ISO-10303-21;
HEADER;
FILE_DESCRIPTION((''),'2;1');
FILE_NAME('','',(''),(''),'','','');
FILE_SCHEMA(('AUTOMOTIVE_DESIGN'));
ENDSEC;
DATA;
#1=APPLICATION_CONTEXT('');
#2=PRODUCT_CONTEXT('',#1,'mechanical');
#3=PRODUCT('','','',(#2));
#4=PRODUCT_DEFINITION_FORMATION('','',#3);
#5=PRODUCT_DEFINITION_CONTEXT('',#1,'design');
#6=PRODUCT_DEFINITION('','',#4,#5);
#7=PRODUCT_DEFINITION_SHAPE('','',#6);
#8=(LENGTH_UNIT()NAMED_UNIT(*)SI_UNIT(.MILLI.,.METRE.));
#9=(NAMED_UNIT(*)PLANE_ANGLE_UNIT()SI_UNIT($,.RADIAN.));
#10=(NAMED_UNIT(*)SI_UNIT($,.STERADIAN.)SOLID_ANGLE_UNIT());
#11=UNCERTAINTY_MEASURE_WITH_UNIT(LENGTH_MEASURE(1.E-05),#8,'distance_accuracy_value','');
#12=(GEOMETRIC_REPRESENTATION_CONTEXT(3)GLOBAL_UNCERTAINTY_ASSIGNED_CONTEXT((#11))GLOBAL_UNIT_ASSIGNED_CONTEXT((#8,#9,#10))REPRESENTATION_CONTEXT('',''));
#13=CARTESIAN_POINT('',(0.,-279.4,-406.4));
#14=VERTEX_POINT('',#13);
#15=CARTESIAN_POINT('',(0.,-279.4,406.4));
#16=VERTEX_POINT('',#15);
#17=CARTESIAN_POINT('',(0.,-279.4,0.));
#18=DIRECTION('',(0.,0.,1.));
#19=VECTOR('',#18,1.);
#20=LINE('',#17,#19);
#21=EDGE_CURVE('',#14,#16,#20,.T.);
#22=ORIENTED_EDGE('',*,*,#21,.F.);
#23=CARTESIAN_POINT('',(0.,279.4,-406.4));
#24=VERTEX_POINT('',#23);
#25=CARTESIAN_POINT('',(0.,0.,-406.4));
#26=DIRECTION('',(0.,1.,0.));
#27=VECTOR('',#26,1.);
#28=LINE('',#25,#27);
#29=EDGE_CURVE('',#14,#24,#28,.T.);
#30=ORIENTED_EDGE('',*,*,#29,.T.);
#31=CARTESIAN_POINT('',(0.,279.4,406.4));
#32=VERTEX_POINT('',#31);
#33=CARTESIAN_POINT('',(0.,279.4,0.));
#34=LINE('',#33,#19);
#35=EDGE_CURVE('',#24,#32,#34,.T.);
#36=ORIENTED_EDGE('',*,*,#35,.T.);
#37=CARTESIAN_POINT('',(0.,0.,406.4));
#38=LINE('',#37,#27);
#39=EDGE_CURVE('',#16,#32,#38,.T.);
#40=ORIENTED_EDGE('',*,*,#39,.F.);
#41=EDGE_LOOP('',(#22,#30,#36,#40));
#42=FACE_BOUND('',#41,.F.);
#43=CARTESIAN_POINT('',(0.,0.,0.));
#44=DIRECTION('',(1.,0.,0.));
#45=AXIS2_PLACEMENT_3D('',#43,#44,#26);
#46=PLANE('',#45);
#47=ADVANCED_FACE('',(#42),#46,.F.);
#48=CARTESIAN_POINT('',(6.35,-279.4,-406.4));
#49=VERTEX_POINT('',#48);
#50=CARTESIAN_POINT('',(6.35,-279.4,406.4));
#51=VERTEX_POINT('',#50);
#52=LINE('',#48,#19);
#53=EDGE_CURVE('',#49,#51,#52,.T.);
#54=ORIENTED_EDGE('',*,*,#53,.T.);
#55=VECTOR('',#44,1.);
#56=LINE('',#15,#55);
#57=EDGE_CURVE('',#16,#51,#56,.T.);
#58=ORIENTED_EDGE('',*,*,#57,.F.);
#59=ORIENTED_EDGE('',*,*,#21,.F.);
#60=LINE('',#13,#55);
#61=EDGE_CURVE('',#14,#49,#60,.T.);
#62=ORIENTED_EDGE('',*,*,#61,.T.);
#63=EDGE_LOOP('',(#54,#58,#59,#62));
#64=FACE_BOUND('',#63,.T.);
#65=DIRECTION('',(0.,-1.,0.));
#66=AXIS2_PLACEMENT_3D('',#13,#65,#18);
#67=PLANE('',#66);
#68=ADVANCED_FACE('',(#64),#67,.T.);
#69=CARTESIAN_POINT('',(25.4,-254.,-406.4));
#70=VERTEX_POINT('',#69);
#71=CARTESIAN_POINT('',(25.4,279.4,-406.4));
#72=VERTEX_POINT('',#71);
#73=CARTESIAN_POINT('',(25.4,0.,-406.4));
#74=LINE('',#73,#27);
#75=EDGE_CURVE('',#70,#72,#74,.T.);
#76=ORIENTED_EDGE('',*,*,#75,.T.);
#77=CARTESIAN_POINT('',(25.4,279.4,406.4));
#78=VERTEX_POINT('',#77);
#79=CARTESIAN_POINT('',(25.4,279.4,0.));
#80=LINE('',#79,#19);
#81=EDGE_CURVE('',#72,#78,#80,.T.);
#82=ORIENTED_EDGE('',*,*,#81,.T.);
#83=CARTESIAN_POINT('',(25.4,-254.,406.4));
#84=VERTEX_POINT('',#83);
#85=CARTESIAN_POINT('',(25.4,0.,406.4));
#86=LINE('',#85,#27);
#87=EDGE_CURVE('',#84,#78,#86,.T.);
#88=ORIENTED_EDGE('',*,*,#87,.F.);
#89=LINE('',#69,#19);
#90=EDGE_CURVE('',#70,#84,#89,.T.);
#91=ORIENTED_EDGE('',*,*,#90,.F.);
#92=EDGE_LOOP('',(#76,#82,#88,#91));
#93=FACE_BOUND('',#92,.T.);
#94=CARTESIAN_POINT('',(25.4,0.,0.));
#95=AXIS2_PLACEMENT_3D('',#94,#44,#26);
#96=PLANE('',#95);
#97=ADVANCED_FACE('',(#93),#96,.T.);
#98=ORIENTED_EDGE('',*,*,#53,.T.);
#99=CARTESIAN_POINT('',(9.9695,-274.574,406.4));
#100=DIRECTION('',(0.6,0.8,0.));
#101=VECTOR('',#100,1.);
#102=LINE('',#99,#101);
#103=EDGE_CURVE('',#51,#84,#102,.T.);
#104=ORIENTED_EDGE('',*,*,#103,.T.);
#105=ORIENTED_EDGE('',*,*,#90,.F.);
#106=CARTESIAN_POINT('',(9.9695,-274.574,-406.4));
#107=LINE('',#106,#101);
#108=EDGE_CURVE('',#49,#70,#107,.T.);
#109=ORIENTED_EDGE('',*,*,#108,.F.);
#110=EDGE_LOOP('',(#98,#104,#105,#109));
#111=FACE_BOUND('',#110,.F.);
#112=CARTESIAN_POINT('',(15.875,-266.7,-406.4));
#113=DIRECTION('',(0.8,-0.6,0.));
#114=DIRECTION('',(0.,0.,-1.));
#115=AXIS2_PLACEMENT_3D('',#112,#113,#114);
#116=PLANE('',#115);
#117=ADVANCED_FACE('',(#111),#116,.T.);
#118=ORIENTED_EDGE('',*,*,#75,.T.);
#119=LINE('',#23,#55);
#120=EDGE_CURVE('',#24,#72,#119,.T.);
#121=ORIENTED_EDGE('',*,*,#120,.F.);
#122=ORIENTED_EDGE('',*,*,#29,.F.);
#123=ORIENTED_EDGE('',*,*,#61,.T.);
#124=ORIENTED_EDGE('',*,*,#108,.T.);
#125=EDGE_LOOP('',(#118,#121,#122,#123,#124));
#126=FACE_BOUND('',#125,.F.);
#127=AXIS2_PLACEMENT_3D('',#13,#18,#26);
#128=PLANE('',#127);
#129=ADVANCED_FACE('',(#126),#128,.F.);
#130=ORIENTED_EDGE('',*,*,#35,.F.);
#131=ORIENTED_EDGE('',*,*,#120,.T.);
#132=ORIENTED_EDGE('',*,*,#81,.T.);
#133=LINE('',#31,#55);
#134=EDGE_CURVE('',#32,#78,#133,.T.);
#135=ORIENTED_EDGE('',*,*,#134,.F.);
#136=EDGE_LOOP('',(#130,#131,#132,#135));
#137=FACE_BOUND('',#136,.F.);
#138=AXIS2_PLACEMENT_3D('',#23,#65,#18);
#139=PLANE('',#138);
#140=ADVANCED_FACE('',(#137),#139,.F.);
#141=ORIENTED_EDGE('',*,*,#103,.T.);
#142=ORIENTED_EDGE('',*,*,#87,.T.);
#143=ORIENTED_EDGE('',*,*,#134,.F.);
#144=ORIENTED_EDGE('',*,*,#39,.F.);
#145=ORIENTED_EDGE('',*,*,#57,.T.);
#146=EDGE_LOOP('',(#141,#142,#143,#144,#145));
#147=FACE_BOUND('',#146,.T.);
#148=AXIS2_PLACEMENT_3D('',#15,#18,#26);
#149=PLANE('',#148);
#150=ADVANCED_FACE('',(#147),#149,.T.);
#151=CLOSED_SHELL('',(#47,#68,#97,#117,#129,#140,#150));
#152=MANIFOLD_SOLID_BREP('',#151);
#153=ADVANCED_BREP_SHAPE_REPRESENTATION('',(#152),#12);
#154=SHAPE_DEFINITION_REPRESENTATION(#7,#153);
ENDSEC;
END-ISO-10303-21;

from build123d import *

# Parameters (mm, degrees)
F0_W     = 558.8
F0_H     = 812.8
F1_DEPTH = 25.4
F2_SIZE2 = 25.4
F2_SIZE  = 19.05


with BuildPart() as f1:
    # F0 (on Right) → F1 (new body)
    with BuildSketch(Plane.YZ):
        Rectangle(F0_W, F0_H)
    extrude(amount=F1_DEPTH)

    # F2
    f2_edges = [f1.edges().sort_by_distance(p)[0] for p in [
        (25.4, -279.4, 0),
    ]]
    chamfer(f2_edges, length=F2_SIZE, length2=F2_SIZE2)


solid = f1.part
